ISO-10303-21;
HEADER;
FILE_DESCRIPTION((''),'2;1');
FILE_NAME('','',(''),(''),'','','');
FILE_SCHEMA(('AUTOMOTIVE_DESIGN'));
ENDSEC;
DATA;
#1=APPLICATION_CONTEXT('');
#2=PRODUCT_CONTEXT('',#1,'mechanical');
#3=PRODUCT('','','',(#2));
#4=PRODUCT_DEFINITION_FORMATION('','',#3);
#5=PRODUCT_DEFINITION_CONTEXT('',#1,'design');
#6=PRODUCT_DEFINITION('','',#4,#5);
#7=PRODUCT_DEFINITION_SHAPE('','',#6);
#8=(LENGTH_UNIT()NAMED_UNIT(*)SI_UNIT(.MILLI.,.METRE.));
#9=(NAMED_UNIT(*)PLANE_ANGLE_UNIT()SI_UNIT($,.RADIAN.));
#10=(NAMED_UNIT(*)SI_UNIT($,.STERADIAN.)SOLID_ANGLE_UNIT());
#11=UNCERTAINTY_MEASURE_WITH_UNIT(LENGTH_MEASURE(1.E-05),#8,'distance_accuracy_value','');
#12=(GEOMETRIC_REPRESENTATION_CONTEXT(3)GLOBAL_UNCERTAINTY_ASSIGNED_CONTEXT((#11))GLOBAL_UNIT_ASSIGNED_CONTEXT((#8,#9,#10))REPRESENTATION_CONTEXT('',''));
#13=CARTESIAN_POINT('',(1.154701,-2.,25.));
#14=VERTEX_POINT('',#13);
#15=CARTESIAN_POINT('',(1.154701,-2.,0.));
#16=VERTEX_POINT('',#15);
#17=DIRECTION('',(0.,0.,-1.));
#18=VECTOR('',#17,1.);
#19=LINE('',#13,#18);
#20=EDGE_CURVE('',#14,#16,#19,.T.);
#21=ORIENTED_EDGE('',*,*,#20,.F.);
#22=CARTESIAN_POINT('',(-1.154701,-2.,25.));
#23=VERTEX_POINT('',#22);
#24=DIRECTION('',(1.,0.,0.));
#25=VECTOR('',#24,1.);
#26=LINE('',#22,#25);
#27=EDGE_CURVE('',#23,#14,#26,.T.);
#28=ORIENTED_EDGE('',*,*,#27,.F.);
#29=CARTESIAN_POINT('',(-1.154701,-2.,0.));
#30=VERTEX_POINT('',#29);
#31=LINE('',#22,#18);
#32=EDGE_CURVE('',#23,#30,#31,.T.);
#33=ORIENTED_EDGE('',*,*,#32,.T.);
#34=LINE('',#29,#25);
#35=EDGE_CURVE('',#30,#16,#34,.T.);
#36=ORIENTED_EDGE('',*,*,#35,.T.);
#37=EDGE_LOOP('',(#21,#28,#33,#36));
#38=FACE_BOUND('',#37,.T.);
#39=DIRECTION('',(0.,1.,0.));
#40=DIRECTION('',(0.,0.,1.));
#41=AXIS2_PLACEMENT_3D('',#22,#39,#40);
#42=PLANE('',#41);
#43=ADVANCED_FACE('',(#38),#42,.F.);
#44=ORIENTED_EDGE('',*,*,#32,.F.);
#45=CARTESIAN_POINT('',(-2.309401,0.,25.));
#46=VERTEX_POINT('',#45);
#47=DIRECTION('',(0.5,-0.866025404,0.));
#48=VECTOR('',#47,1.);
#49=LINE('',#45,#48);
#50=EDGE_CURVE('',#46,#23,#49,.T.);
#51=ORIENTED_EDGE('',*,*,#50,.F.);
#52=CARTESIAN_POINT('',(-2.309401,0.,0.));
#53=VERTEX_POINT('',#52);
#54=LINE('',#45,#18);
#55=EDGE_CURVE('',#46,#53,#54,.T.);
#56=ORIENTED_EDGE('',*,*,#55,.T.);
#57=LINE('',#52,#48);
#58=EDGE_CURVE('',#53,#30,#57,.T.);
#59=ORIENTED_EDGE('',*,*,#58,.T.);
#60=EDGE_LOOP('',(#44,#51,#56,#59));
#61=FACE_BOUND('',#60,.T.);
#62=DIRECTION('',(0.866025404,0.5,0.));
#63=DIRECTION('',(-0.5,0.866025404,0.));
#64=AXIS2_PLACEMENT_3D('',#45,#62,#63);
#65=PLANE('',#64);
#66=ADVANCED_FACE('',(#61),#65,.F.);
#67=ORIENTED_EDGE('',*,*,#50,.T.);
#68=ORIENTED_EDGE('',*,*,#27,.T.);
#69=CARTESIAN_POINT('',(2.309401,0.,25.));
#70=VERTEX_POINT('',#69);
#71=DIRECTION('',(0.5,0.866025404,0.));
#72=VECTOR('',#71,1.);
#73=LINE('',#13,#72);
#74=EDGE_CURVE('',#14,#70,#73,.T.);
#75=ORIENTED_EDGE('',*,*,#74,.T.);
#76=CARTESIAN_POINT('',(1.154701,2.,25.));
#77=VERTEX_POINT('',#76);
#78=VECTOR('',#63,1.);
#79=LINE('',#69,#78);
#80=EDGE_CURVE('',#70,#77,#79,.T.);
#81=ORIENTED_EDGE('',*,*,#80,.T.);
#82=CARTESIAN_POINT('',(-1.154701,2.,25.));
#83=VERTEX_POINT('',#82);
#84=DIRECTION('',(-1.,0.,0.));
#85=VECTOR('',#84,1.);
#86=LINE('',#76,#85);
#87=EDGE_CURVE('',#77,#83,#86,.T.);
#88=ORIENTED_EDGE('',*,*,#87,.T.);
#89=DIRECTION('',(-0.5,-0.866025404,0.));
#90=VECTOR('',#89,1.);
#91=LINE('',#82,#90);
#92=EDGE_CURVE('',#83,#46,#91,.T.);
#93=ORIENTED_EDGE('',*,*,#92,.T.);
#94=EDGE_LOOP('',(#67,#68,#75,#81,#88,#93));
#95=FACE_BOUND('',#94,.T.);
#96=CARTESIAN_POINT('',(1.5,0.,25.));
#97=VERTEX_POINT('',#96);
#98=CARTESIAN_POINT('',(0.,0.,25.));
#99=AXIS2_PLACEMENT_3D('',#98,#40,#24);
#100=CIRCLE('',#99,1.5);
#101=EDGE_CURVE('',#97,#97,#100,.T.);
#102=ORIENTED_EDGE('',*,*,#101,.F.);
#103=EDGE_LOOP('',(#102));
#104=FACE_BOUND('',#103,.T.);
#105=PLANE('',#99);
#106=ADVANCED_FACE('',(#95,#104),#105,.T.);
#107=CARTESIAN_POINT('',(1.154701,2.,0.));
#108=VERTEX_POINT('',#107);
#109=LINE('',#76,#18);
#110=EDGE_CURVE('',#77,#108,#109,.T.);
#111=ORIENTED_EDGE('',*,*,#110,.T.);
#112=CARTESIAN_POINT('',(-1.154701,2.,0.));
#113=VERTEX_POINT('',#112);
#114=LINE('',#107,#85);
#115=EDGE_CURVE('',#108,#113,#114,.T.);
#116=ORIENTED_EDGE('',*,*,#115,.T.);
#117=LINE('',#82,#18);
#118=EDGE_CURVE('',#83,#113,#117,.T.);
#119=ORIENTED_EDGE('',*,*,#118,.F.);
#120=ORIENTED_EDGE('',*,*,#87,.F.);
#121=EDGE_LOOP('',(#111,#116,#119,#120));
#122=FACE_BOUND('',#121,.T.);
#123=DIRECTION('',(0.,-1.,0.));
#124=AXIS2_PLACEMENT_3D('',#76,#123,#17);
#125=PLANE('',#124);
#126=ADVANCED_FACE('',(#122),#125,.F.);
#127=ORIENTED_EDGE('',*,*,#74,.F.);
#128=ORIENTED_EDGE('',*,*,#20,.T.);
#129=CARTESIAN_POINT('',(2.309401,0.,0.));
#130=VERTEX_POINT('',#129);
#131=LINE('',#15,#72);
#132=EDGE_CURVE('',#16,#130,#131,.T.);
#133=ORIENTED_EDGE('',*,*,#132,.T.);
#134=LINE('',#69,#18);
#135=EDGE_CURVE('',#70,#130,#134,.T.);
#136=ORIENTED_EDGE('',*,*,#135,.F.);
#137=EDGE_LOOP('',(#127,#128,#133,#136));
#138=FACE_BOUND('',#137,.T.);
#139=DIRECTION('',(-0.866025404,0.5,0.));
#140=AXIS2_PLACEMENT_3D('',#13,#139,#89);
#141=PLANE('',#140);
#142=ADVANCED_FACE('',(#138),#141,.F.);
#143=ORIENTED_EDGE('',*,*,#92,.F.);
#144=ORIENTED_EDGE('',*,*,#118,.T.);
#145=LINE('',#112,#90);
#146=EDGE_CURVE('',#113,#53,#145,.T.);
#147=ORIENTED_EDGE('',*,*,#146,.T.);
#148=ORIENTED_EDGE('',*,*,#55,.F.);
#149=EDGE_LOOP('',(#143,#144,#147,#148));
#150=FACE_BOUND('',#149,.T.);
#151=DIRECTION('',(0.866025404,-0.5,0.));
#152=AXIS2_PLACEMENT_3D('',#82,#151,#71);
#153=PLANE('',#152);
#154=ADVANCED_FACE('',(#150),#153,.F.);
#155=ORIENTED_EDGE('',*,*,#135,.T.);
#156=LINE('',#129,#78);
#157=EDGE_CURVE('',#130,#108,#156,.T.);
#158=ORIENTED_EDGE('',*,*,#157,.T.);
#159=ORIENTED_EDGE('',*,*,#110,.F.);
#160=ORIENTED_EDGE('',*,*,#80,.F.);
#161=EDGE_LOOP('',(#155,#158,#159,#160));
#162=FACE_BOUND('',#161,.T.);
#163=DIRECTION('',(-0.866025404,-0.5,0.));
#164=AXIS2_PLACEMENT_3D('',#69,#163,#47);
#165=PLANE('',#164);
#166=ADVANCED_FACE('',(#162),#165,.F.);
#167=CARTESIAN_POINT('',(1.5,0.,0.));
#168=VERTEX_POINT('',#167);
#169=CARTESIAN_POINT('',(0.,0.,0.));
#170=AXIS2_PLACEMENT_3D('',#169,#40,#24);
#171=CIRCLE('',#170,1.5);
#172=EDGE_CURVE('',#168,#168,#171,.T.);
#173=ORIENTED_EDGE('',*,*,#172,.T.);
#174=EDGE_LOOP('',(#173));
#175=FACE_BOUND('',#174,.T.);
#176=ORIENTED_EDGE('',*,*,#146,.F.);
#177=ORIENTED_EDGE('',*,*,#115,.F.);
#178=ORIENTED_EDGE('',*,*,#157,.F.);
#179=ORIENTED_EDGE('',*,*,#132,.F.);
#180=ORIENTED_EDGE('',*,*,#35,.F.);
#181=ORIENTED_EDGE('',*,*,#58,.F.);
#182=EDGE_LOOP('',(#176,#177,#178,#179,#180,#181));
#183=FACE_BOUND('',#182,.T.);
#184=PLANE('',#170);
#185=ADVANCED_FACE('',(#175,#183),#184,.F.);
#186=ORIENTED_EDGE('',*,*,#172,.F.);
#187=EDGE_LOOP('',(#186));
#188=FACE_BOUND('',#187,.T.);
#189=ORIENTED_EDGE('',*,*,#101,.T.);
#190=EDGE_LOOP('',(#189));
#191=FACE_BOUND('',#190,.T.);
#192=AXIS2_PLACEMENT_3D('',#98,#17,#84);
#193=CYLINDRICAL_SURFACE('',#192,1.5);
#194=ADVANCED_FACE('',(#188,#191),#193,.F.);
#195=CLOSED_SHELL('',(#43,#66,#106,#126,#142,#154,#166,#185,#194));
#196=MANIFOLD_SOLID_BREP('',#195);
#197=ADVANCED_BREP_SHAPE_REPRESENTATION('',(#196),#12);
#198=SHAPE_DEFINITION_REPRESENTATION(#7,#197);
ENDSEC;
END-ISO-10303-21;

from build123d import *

# Parameters (mm, degrees)
SKETCH_1_R      = 1.5
EXTRUDE_1_DEPTH = 25


with BuildPart() as part:
    # 草图1 → 凸台-拉伸1 (new body)
    with BuildSketch(Plane.XY):
        Polygon((2.309401077, 0), (1.154700538, 2), (-1.154700538, 2), (-2.309401077, 0), (-1.154700538, -2), (1.154700538, -2), align=None)
        Circle(SKETCH_1_R, mode=Mode.SUBTRACT)
    extrude(amount=EXTRUDE_1_DEPTH)


solid = part.part
